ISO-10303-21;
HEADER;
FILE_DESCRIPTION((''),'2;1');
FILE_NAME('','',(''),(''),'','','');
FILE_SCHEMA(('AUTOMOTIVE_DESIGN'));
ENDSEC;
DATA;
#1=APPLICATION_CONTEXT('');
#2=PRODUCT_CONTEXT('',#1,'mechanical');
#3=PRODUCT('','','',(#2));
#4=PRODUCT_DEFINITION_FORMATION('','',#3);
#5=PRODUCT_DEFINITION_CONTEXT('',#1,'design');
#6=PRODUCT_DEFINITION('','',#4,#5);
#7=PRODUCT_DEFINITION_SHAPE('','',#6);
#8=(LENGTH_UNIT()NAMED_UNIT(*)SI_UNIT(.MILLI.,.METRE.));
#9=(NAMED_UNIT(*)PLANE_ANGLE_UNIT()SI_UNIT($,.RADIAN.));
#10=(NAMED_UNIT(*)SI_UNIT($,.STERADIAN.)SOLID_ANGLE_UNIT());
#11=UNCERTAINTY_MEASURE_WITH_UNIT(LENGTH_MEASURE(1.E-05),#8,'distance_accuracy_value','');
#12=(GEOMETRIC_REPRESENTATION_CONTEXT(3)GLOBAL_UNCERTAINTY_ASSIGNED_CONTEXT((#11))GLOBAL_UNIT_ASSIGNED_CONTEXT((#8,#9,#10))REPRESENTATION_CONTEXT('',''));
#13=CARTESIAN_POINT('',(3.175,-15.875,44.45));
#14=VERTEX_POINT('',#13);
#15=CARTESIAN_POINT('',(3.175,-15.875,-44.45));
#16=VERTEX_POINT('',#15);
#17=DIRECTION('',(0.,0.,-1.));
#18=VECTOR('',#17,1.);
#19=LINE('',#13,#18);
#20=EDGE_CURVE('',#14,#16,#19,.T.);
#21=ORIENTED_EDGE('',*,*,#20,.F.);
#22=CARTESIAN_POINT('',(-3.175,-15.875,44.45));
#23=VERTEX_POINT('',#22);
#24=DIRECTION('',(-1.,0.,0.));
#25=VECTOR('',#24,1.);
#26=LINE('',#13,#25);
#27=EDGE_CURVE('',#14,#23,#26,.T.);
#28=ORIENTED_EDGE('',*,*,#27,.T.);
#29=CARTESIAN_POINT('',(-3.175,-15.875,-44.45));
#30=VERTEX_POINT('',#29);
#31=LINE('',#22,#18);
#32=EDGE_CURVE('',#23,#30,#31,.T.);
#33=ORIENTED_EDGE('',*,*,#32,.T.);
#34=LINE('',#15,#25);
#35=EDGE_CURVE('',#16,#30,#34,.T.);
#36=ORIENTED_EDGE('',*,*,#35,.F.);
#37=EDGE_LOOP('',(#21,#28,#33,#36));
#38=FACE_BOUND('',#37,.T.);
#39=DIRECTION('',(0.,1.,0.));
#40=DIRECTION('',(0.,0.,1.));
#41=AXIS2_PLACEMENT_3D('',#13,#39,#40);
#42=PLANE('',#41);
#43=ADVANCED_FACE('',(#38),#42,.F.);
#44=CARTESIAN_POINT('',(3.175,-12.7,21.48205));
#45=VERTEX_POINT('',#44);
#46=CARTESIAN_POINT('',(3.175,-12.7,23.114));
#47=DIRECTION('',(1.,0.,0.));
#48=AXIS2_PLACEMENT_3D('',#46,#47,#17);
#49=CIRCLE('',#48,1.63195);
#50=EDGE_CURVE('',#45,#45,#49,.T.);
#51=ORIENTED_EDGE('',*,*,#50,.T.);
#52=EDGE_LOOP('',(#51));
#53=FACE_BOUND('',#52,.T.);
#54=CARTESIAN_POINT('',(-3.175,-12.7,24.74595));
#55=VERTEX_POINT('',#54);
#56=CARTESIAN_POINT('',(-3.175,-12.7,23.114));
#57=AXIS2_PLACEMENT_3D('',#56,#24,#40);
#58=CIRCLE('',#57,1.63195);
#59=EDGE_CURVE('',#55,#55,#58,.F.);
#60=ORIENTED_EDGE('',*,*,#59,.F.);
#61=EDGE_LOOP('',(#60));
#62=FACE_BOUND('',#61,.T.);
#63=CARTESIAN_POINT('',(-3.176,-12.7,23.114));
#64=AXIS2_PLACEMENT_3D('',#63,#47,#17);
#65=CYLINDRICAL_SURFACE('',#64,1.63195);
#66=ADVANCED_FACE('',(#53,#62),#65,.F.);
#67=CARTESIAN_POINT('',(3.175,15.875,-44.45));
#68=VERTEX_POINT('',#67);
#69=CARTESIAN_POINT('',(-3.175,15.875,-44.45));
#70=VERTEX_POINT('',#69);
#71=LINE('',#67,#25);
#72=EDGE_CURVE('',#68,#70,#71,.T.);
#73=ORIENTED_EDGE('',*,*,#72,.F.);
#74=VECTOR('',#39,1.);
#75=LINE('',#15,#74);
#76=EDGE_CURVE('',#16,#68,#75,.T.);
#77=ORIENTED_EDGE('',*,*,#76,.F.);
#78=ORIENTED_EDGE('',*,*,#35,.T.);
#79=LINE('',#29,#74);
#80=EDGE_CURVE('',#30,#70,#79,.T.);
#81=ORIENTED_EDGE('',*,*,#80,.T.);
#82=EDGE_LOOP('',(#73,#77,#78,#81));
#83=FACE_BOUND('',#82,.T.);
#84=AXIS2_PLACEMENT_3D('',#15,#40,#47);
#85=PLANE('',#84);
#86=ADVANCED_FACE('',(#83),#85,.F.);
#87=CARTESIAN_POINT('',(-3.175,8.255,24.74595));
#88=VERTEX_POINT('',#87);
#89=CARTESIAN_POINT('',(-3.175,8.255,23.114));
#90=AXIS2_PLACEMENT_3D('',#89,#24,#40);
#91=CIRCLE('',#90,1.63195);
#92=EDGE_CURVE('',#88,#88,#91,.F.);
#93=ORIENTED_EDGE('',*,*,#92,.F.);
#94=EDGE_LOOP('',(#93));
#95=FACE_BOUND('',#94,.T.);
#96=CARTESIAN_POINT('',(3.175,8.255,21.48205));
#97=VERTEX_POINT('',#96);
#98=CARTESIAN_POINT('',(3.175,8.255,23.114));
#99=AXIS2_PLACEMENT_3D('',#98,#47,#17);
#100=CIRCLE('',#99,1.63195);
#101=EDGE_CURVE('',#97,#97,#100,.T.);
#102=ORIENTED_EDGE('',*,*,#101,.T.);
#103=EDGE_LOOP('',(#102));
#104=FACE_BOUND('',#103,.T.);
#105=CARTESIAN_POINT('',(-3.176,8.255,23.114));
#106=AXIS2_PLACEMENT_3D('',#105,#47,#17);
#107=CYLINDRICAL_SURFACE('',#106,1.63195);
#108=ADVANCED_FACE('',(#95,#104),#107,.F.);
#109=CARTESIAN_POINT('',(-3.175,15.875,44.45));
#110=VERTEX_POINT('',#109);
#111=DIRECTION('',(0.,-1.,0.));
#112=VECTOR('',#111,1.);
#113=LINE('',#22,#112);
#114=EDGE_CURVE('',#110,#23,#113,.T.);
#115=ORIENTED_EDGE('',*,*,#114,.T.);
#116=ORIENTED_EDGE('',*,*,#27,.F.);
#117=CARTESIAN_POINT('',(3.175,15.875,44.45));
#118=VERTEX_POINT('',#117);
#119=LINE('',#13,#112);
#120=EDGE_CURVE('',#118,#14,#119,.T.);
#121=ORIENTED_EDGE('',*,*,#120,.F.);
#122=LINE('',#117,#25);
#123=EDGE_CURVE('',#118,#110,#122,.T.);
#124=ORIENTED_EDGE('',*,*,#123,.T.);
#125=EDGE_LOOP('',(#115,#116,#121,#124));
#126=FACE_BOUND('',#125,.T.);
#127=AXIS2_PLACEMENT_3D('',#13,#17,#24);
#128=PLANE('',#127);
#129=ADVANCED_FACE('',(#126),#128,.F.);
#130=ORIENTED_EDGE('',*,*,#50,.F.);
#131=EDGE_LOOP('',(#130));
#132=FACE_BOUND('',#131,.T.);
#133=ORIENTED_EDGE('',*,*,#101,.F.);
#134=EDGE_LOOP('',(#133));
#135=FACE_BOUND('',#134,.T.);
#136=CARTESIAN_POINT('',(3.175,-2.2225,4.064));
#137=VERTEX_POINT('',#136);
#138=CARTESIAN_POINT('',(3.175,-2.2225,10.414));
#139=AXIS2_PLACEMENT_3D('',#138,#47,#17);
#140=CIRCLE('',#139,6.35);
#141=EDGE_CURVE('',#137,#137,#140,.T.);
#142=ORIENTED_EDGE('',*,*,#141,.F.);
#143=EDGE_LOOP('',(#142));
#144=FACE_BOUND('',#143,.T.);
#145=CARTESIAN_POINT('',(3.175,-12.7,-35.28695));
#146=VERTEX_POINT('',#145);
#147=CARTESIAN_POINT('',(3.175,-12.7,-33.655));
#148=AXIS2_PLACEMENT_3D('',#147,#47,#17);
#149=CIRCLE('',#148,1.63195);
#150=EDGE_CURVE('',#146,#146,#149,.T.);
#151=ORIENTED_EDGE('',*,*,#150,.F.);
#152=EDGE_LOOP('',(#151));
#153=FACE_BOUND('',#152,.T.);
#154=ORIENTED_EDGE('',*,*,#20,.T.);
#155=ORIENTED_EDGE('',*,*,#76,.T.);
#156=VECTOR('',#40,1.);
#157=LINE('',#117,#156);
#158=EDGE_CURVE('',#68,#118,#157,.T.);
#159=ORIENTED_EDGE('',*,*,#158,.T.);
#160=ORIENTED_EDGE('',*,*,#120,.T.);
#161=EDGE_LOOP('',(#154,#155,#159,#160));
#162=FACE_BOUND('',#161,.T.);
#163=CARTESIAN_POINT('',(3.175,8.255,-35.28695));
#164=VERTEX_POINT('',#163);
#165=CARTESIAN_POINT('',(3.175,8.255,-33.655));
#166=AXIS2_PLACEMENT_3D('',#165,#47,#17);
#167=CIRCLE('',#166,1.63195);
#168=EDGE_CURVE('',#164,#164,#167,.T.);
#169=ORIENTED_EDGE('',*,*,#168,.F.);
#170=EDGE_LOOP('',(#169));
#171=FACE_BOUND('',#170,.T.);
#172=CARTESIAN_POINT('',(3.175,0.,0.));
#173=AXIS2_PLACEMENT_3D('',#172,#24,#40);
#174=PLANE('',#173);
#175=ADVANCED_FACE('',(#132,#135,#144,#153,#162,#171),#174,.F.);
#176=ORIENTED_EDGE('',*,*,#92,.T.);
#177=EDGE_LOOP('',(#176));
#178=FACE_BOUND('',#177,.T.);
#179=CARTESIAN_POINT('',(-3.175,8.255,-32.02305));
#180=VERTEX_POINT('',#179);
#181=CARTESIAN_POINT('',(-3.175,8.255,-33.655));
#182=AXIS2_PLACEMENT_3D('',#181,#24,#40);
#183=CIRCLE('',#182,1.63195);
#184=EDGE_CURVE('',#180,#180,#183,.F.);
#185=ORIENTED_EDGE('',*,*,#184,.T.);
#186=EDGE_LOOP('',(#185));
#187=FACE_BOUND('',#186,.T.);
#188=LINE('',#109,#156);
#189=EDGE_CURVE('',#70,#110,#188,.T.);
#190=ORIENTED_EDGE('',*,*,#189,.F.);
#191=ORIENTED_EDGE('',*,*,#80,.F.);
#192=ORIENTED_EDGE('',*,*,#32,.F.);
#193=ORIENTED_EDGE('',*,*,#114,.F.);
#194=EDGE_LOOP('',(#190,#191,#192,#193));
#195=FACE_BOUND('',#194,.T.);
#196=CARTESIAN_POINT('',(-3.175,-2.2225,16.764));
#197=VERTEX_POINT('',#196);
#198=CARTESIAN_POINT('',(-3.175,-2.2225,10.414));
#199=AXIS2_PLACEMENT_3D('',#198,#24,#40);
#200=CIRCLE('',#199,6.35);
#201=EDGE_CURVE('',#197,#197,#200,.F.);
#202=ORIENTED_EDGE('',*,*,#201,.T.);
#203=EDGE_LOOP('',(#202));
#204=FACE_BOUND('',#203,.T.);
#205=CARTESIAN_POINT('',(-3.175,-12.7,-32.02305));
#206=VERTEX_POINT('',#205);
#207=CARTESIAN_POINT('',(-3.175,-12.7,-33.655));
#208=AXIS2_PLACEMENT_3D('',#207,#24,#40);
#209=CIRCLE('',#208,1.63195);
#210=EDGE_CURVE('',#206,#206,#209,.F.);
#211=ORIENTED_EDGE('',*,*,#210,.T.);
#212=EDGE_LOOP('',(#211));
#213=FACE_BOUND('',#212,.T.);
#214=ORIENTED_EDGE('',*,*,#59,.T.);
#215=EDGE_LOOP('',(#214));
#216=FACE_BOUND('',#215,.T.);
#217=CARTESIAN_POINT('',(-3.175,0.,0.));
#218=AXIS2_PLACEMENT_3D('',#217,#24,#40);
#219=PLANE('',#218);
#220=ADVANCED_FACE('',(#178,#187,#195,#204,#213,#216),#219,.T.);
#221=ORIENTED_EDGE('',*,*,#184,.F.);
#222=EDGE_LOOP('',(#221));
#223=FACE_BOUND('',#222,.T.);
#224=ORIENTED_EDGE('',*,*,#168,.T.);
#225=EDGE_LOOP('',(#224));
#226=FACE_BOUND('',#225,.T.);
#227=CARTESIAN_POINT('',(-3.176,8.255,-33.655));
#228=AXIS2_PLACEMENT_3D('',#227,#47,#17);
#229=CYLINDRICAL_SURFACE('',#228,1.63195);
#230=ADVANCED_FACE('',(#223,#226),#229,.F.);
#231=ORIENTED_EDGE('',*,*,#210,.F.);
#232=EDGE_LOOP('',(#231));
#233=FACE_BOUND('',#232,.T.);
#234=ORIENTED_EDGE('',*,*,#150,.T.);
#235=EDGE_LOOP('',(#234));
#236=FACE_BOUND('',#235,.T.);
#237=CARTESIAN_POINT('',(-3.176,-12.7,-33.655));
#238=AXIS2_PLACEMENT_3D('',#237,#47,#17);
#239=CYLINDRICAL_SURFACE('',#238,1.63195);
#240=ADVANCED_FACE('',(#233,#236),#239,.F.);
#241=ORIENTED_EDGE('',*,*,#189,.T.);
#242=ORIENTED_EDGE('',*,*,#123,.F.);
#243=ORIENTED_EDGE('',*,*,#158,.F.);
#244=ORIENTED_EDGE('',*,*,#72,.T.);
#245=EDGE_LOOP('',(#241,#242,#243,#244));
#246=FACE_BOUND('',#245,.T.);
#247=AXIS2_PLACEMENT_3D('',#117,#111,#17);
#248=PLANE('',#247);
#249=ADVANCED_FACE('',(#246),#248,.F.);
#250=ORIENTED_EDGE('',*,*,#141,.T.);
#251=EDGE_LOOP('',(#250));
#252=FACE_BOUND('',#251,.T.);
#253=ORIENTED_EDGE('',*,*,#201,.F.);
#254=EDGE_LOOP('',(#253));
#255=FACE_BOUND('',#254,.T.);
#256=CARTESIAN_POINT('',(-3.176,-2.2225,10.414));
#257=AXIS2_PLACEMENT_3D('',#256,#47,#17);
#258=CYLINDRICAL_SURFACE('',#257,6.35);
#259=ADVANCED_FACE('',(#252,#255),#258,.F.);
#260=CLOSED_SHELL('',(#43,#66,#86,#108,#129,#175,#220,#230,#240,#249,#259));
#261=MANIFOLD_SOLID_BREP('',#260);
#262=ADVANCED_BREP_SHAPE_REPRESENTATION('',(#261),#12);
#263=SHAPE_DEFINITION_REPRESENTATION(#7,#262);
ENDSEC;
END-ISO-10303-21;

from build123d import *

# Parameters (mm, degrees)
SKETCH1_W           = 88.9
SKETCH1_H           = 31.75
BOSS_EXTRUDE1_DEPTH = 3.175
CUT_EXTRUDE1_REACH  = 49.625
SKETCH2_R           = 1.63195
SKETCH2_R_2         = 6.35


with BuildPart() as part:
    # Sketch1 → Boss-Extrude1 (new, symmetric)
    with BuildSketch(Plane(origin=(0, 0, 0), x_dir=(0, 0, -1), z_dir=(1, 0, 0))):
        Rectangle(SKETCH1_W, SKETCH1_H)
    extrude(amount=BOSS_EXTRUDE1_DEPTH, both=True)

    # Sketch2 → Cut-Extrude1 (cut, up to next)
    with BuildSketch(Plane(origin=(3.175, 0, 0), x_dir=(0, 0, -1), z_dir=(1, 0, 0)), mode=Mode.PRIVATE) as cut_extrude1_sk1:
        with Locations((-23.114, 8.255)):
            Circle(SKETCH2_R)
    cut_extrude1_tool1 = extrude(cut_extrude1_sk1.sketch, amount=-CUT_EXTRUDE1_REACH, mode=Mode.PRIVATE) & part.part
    # Sketch2 → Cut-Extrude1 (cut, up to next)
    with BuildSketch(Plane(origin=(3.175, 0, 0), x_dir=(0, 0, -1), z_dir=(1, 0, 0)), mode=Mode.PRIVATE) as cut_extrude1_sk2:
        with Locations((-23.114, -12.7)):
            Circle(SKETCH2_R)
    cut_extrude1_tool2 = extrude(cut_extrude1_sk2.sketch, amount=-CUT_EXTRUDE1_REACH, mode=Mode.PRIVATE) & part.part
    # Sketch2 → Cut-Extrude1 (cut, up to next)
    with BuildSketch(Plane(origin=(3.175, 0, 0), x_dir=(0, 0, -1), z_dir=(1, 0, 0)), mode=Mode.PRIVATE) as cut_extrude1_sk3:
        with Locations((33.655, -12.7)):
            Circle(SKETCH2_R)
    cut_extrude1_tool3 = extrude(cut_extrude1_sk3.sketch, amount=-CUT_EXTRUDE1_REACH, mode=Mode.PRIVATE) & part.part
    # Sketch2 → Cut-Extrude1 (cut, up to next)
    with BuildSketch(Plane(origin=(3.175, 0, 0), x_dir=(0, 0, -1), z_dir=(1, 0, 0)), mode=Mode.PRIVATE) as cut_extrude1_sk4:
        with Locations((33.655, 8.255)):
            Circle(SKETCH2_R)
    cut_extrude1_tool4 = extrude(cut_extrude1_sk4.sketch, amount=-CUT_EXTRUDE1_REACH, mode=Mode.PRIVATE) & part.part
    # Sketch2 → Cut-Extrude1 (cut, up to next)
    with BuildSketch(Plane(origin=(3.175, 0, 0), x_dir=(0, 0, -1), z_dir=(1, 0, 0)), mode=Mode.PRIVATE) as cut_extrude1_sk5:
        with Locations((-10.414, -2.2225)):
            Circle(SKETCH2_R_2)
    cut_extrude1_tool5 = extrude(cut_extrude1_sk5.sketch, amount=-CUT_EXTRUDE1_REACH, mode=Mode.PRIVATE) & part.part
    add(cut_extrude1_tool1.solids().sort_by_distance((3.175, 8.255, 23.114))[0], mode=Mode.SUBTRACT)
    add(cut_extrude1_tool2.solids().sort_by_distance((3.175, -12.7, 23.114))[0], mode=Mode.SUBTRACT)
    add(cut_extrude1_tool3.solids().sort_by_distance((3.175, -12.7, -33.655))[0], mode=Mode.SUBTRACT)
    add(cut_extrude1_tool4.solids().sort_by_distance((3.175, 8.255, -33.655))[0], mode=Mode.SUBTRACT)
    add(cut_extrude1_tool5.solids().sort_by_distance((3.175, -2.2225, 10.414))[0], mode=Mode.SUBTRACT)


solid = part.part
